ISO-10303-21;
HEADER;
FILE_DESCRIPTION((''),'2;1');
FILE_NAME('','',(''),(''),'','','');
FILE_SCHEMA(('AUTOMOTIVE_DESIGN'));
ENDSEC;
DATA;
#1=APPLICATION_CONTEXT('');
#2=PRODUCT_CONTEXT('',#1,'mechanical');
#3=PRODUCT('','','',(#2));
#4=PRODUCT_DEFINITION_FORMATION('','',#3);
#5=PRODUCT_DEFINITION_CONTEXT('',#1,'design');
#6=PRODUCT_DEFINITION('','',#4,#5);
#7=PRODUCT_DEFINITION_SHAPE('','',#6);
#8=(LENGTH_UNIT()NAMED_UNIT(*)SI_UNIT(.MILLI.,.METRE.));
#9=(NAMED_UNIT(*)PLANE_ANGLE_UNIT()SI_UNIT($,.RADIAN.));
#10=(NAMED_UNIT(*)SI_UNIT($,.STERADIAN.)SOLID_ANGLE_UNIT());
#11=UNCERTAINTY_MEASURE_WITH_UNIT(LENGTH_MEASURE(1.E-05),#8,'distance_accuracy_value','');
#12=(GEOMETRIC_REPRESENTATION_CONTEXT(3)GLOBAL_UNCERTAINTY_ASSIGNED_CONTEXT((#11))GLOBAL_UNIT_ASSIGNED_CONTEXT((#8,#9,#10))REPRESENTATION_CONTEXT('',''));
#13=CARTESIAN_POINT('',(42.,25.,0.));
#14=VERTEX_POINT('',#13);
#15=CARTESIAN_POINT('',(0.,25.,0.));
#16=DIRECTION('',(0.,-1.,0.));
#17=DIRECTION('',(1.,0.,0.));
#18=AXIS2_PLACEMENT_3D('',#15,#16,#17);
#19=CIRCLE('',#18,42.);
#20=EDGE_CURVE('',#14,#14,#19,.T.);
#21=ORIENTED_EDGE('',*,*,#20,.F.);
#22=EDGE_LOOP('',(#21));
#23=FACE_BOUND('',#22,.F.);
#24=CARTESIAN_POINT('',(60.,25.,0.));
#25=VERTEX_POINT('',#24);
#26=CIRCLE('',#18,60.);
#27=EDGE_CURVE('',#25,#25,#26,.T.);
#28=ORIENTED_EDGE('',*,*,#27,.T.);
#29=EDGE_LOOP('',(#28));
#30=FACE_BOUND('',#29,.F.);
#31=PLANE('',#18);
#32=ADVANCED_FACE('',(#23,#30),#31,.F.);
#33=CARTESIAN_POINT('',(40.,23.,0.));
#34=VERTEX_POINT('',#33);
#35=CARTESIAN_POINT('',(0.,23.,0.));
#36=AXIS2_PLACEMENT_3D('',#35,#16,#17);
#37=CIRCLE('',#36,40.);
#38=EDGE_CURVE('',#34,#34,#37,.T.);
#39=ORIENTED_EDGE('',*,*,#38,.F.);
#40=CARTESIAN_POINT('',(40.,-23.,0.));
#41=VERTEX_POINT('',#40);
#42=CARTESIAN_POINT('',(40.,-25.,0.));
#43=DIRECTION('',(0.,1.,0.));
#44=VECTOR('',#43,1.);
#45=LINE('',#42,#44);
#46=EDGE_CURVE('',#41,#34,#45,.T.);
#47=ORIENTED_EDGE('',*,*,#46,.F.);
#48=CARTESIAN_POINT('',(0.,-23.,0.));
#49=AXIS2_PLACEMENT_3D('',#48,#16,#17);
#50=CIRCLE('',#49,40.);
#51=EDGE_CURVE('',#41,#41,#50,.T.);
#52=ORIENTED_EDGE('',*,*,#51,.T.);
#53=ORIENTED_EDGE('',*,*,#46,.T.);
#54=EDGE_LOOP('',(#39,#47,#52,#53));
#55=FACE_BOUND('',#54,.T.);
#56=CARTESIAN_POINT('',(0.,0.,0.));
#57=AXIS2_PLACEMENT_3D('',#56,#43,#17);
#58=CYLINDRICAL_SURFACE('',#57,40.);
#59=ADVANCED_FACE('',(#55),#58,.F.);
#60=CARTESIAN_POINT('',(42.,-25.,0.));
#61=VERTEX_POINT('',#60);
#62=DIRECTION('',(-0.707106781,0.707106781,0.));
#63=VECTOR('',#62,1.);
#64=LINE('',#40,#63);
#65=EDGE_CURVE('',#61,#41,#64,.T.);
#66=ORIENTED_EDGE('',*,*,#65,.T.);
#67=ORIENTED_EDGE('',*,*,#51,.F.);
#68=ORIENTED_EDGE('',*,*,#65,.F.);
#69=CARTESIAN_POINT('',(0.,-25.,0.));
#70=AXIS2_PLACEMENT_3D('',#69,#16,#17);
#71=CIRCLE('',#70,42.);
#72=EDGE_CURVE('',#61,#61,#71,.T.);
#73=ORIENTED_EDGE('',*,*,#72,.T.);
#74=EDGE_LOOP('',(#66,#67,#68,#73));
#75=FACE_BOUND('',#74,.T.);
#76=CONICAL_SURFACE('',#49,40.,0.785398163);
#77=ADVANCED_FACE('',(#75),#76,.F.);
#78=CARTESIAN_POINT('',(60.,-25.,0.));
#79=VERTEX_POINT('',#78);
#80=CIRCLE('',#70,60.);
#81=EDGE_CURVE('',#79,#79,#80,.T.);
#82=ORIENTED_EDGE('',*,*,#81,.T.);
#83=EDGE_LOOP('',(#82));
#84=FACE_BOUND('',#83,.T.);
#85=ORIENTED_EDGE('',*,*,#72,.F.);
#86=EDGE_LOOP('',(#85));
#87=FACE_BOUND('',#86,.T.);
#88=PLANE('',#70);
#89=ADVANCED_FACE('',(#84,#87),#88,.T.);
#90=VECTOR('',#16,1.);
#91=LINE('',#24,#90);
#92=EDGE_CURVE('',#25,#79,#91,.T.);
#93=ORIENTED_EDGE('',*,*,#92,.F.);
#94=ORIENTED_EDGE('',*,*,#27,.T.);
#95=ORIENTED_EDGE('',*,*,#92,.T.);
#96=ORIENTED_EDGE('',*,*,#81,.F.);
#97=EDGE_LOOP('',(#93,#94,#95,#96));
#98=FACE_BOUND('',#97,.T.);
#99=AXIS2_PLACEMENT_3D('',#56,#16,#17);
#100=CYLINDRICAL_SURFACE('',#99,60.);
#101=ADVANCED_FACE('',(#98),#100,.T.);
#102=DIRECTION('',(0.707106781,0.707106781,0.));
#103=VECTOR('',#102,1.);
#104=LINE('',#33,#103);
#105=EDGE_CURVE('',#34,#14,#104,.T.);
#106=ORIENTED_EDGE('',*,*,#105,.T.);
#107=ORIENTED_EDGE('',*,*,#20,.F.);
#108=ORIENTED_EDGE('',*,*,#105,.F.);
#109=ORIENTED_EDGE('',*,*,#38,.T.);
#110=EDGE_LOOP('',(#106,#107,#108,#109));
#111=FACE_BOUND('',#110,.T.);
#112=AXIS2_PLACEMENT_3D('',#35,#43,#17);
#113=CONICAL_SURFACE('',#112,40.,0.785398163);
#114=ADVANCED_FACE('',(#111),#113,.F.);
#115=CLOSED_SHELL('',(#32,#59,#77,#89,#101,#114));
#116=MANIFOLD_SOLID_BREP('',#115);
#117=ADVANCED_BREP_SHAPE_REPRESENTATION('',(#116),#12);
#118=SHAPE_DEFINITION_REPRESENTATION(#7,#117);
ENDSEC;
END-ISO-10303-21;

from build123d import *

# Parameters (mm, degrees)
F0_R     = 60
F0_R_2   = 40
F1_DEPTH = 25
F2_SIZE  = 2


with BuildPart() as f1:
    # F0 (on Front) → F1 (new body, symmetric)
    with BuildSketch(Plane.XZ):
        Circle(F0_R)
        Circle(F0_R_2, mode=Mode.SUBTRACT)
    extrude(amount=F1_DEPTH, both=True)

    # F2
    f2_edges = [f1.edges().sort_by_distance(p)[0] for p in [
        (-40, -25, 0),
        (40, 0, 0),
        (-40, 25, 0),
    ]]
    chamfer(f2_edges, length=F2_SIZE)


solid = f1.part
